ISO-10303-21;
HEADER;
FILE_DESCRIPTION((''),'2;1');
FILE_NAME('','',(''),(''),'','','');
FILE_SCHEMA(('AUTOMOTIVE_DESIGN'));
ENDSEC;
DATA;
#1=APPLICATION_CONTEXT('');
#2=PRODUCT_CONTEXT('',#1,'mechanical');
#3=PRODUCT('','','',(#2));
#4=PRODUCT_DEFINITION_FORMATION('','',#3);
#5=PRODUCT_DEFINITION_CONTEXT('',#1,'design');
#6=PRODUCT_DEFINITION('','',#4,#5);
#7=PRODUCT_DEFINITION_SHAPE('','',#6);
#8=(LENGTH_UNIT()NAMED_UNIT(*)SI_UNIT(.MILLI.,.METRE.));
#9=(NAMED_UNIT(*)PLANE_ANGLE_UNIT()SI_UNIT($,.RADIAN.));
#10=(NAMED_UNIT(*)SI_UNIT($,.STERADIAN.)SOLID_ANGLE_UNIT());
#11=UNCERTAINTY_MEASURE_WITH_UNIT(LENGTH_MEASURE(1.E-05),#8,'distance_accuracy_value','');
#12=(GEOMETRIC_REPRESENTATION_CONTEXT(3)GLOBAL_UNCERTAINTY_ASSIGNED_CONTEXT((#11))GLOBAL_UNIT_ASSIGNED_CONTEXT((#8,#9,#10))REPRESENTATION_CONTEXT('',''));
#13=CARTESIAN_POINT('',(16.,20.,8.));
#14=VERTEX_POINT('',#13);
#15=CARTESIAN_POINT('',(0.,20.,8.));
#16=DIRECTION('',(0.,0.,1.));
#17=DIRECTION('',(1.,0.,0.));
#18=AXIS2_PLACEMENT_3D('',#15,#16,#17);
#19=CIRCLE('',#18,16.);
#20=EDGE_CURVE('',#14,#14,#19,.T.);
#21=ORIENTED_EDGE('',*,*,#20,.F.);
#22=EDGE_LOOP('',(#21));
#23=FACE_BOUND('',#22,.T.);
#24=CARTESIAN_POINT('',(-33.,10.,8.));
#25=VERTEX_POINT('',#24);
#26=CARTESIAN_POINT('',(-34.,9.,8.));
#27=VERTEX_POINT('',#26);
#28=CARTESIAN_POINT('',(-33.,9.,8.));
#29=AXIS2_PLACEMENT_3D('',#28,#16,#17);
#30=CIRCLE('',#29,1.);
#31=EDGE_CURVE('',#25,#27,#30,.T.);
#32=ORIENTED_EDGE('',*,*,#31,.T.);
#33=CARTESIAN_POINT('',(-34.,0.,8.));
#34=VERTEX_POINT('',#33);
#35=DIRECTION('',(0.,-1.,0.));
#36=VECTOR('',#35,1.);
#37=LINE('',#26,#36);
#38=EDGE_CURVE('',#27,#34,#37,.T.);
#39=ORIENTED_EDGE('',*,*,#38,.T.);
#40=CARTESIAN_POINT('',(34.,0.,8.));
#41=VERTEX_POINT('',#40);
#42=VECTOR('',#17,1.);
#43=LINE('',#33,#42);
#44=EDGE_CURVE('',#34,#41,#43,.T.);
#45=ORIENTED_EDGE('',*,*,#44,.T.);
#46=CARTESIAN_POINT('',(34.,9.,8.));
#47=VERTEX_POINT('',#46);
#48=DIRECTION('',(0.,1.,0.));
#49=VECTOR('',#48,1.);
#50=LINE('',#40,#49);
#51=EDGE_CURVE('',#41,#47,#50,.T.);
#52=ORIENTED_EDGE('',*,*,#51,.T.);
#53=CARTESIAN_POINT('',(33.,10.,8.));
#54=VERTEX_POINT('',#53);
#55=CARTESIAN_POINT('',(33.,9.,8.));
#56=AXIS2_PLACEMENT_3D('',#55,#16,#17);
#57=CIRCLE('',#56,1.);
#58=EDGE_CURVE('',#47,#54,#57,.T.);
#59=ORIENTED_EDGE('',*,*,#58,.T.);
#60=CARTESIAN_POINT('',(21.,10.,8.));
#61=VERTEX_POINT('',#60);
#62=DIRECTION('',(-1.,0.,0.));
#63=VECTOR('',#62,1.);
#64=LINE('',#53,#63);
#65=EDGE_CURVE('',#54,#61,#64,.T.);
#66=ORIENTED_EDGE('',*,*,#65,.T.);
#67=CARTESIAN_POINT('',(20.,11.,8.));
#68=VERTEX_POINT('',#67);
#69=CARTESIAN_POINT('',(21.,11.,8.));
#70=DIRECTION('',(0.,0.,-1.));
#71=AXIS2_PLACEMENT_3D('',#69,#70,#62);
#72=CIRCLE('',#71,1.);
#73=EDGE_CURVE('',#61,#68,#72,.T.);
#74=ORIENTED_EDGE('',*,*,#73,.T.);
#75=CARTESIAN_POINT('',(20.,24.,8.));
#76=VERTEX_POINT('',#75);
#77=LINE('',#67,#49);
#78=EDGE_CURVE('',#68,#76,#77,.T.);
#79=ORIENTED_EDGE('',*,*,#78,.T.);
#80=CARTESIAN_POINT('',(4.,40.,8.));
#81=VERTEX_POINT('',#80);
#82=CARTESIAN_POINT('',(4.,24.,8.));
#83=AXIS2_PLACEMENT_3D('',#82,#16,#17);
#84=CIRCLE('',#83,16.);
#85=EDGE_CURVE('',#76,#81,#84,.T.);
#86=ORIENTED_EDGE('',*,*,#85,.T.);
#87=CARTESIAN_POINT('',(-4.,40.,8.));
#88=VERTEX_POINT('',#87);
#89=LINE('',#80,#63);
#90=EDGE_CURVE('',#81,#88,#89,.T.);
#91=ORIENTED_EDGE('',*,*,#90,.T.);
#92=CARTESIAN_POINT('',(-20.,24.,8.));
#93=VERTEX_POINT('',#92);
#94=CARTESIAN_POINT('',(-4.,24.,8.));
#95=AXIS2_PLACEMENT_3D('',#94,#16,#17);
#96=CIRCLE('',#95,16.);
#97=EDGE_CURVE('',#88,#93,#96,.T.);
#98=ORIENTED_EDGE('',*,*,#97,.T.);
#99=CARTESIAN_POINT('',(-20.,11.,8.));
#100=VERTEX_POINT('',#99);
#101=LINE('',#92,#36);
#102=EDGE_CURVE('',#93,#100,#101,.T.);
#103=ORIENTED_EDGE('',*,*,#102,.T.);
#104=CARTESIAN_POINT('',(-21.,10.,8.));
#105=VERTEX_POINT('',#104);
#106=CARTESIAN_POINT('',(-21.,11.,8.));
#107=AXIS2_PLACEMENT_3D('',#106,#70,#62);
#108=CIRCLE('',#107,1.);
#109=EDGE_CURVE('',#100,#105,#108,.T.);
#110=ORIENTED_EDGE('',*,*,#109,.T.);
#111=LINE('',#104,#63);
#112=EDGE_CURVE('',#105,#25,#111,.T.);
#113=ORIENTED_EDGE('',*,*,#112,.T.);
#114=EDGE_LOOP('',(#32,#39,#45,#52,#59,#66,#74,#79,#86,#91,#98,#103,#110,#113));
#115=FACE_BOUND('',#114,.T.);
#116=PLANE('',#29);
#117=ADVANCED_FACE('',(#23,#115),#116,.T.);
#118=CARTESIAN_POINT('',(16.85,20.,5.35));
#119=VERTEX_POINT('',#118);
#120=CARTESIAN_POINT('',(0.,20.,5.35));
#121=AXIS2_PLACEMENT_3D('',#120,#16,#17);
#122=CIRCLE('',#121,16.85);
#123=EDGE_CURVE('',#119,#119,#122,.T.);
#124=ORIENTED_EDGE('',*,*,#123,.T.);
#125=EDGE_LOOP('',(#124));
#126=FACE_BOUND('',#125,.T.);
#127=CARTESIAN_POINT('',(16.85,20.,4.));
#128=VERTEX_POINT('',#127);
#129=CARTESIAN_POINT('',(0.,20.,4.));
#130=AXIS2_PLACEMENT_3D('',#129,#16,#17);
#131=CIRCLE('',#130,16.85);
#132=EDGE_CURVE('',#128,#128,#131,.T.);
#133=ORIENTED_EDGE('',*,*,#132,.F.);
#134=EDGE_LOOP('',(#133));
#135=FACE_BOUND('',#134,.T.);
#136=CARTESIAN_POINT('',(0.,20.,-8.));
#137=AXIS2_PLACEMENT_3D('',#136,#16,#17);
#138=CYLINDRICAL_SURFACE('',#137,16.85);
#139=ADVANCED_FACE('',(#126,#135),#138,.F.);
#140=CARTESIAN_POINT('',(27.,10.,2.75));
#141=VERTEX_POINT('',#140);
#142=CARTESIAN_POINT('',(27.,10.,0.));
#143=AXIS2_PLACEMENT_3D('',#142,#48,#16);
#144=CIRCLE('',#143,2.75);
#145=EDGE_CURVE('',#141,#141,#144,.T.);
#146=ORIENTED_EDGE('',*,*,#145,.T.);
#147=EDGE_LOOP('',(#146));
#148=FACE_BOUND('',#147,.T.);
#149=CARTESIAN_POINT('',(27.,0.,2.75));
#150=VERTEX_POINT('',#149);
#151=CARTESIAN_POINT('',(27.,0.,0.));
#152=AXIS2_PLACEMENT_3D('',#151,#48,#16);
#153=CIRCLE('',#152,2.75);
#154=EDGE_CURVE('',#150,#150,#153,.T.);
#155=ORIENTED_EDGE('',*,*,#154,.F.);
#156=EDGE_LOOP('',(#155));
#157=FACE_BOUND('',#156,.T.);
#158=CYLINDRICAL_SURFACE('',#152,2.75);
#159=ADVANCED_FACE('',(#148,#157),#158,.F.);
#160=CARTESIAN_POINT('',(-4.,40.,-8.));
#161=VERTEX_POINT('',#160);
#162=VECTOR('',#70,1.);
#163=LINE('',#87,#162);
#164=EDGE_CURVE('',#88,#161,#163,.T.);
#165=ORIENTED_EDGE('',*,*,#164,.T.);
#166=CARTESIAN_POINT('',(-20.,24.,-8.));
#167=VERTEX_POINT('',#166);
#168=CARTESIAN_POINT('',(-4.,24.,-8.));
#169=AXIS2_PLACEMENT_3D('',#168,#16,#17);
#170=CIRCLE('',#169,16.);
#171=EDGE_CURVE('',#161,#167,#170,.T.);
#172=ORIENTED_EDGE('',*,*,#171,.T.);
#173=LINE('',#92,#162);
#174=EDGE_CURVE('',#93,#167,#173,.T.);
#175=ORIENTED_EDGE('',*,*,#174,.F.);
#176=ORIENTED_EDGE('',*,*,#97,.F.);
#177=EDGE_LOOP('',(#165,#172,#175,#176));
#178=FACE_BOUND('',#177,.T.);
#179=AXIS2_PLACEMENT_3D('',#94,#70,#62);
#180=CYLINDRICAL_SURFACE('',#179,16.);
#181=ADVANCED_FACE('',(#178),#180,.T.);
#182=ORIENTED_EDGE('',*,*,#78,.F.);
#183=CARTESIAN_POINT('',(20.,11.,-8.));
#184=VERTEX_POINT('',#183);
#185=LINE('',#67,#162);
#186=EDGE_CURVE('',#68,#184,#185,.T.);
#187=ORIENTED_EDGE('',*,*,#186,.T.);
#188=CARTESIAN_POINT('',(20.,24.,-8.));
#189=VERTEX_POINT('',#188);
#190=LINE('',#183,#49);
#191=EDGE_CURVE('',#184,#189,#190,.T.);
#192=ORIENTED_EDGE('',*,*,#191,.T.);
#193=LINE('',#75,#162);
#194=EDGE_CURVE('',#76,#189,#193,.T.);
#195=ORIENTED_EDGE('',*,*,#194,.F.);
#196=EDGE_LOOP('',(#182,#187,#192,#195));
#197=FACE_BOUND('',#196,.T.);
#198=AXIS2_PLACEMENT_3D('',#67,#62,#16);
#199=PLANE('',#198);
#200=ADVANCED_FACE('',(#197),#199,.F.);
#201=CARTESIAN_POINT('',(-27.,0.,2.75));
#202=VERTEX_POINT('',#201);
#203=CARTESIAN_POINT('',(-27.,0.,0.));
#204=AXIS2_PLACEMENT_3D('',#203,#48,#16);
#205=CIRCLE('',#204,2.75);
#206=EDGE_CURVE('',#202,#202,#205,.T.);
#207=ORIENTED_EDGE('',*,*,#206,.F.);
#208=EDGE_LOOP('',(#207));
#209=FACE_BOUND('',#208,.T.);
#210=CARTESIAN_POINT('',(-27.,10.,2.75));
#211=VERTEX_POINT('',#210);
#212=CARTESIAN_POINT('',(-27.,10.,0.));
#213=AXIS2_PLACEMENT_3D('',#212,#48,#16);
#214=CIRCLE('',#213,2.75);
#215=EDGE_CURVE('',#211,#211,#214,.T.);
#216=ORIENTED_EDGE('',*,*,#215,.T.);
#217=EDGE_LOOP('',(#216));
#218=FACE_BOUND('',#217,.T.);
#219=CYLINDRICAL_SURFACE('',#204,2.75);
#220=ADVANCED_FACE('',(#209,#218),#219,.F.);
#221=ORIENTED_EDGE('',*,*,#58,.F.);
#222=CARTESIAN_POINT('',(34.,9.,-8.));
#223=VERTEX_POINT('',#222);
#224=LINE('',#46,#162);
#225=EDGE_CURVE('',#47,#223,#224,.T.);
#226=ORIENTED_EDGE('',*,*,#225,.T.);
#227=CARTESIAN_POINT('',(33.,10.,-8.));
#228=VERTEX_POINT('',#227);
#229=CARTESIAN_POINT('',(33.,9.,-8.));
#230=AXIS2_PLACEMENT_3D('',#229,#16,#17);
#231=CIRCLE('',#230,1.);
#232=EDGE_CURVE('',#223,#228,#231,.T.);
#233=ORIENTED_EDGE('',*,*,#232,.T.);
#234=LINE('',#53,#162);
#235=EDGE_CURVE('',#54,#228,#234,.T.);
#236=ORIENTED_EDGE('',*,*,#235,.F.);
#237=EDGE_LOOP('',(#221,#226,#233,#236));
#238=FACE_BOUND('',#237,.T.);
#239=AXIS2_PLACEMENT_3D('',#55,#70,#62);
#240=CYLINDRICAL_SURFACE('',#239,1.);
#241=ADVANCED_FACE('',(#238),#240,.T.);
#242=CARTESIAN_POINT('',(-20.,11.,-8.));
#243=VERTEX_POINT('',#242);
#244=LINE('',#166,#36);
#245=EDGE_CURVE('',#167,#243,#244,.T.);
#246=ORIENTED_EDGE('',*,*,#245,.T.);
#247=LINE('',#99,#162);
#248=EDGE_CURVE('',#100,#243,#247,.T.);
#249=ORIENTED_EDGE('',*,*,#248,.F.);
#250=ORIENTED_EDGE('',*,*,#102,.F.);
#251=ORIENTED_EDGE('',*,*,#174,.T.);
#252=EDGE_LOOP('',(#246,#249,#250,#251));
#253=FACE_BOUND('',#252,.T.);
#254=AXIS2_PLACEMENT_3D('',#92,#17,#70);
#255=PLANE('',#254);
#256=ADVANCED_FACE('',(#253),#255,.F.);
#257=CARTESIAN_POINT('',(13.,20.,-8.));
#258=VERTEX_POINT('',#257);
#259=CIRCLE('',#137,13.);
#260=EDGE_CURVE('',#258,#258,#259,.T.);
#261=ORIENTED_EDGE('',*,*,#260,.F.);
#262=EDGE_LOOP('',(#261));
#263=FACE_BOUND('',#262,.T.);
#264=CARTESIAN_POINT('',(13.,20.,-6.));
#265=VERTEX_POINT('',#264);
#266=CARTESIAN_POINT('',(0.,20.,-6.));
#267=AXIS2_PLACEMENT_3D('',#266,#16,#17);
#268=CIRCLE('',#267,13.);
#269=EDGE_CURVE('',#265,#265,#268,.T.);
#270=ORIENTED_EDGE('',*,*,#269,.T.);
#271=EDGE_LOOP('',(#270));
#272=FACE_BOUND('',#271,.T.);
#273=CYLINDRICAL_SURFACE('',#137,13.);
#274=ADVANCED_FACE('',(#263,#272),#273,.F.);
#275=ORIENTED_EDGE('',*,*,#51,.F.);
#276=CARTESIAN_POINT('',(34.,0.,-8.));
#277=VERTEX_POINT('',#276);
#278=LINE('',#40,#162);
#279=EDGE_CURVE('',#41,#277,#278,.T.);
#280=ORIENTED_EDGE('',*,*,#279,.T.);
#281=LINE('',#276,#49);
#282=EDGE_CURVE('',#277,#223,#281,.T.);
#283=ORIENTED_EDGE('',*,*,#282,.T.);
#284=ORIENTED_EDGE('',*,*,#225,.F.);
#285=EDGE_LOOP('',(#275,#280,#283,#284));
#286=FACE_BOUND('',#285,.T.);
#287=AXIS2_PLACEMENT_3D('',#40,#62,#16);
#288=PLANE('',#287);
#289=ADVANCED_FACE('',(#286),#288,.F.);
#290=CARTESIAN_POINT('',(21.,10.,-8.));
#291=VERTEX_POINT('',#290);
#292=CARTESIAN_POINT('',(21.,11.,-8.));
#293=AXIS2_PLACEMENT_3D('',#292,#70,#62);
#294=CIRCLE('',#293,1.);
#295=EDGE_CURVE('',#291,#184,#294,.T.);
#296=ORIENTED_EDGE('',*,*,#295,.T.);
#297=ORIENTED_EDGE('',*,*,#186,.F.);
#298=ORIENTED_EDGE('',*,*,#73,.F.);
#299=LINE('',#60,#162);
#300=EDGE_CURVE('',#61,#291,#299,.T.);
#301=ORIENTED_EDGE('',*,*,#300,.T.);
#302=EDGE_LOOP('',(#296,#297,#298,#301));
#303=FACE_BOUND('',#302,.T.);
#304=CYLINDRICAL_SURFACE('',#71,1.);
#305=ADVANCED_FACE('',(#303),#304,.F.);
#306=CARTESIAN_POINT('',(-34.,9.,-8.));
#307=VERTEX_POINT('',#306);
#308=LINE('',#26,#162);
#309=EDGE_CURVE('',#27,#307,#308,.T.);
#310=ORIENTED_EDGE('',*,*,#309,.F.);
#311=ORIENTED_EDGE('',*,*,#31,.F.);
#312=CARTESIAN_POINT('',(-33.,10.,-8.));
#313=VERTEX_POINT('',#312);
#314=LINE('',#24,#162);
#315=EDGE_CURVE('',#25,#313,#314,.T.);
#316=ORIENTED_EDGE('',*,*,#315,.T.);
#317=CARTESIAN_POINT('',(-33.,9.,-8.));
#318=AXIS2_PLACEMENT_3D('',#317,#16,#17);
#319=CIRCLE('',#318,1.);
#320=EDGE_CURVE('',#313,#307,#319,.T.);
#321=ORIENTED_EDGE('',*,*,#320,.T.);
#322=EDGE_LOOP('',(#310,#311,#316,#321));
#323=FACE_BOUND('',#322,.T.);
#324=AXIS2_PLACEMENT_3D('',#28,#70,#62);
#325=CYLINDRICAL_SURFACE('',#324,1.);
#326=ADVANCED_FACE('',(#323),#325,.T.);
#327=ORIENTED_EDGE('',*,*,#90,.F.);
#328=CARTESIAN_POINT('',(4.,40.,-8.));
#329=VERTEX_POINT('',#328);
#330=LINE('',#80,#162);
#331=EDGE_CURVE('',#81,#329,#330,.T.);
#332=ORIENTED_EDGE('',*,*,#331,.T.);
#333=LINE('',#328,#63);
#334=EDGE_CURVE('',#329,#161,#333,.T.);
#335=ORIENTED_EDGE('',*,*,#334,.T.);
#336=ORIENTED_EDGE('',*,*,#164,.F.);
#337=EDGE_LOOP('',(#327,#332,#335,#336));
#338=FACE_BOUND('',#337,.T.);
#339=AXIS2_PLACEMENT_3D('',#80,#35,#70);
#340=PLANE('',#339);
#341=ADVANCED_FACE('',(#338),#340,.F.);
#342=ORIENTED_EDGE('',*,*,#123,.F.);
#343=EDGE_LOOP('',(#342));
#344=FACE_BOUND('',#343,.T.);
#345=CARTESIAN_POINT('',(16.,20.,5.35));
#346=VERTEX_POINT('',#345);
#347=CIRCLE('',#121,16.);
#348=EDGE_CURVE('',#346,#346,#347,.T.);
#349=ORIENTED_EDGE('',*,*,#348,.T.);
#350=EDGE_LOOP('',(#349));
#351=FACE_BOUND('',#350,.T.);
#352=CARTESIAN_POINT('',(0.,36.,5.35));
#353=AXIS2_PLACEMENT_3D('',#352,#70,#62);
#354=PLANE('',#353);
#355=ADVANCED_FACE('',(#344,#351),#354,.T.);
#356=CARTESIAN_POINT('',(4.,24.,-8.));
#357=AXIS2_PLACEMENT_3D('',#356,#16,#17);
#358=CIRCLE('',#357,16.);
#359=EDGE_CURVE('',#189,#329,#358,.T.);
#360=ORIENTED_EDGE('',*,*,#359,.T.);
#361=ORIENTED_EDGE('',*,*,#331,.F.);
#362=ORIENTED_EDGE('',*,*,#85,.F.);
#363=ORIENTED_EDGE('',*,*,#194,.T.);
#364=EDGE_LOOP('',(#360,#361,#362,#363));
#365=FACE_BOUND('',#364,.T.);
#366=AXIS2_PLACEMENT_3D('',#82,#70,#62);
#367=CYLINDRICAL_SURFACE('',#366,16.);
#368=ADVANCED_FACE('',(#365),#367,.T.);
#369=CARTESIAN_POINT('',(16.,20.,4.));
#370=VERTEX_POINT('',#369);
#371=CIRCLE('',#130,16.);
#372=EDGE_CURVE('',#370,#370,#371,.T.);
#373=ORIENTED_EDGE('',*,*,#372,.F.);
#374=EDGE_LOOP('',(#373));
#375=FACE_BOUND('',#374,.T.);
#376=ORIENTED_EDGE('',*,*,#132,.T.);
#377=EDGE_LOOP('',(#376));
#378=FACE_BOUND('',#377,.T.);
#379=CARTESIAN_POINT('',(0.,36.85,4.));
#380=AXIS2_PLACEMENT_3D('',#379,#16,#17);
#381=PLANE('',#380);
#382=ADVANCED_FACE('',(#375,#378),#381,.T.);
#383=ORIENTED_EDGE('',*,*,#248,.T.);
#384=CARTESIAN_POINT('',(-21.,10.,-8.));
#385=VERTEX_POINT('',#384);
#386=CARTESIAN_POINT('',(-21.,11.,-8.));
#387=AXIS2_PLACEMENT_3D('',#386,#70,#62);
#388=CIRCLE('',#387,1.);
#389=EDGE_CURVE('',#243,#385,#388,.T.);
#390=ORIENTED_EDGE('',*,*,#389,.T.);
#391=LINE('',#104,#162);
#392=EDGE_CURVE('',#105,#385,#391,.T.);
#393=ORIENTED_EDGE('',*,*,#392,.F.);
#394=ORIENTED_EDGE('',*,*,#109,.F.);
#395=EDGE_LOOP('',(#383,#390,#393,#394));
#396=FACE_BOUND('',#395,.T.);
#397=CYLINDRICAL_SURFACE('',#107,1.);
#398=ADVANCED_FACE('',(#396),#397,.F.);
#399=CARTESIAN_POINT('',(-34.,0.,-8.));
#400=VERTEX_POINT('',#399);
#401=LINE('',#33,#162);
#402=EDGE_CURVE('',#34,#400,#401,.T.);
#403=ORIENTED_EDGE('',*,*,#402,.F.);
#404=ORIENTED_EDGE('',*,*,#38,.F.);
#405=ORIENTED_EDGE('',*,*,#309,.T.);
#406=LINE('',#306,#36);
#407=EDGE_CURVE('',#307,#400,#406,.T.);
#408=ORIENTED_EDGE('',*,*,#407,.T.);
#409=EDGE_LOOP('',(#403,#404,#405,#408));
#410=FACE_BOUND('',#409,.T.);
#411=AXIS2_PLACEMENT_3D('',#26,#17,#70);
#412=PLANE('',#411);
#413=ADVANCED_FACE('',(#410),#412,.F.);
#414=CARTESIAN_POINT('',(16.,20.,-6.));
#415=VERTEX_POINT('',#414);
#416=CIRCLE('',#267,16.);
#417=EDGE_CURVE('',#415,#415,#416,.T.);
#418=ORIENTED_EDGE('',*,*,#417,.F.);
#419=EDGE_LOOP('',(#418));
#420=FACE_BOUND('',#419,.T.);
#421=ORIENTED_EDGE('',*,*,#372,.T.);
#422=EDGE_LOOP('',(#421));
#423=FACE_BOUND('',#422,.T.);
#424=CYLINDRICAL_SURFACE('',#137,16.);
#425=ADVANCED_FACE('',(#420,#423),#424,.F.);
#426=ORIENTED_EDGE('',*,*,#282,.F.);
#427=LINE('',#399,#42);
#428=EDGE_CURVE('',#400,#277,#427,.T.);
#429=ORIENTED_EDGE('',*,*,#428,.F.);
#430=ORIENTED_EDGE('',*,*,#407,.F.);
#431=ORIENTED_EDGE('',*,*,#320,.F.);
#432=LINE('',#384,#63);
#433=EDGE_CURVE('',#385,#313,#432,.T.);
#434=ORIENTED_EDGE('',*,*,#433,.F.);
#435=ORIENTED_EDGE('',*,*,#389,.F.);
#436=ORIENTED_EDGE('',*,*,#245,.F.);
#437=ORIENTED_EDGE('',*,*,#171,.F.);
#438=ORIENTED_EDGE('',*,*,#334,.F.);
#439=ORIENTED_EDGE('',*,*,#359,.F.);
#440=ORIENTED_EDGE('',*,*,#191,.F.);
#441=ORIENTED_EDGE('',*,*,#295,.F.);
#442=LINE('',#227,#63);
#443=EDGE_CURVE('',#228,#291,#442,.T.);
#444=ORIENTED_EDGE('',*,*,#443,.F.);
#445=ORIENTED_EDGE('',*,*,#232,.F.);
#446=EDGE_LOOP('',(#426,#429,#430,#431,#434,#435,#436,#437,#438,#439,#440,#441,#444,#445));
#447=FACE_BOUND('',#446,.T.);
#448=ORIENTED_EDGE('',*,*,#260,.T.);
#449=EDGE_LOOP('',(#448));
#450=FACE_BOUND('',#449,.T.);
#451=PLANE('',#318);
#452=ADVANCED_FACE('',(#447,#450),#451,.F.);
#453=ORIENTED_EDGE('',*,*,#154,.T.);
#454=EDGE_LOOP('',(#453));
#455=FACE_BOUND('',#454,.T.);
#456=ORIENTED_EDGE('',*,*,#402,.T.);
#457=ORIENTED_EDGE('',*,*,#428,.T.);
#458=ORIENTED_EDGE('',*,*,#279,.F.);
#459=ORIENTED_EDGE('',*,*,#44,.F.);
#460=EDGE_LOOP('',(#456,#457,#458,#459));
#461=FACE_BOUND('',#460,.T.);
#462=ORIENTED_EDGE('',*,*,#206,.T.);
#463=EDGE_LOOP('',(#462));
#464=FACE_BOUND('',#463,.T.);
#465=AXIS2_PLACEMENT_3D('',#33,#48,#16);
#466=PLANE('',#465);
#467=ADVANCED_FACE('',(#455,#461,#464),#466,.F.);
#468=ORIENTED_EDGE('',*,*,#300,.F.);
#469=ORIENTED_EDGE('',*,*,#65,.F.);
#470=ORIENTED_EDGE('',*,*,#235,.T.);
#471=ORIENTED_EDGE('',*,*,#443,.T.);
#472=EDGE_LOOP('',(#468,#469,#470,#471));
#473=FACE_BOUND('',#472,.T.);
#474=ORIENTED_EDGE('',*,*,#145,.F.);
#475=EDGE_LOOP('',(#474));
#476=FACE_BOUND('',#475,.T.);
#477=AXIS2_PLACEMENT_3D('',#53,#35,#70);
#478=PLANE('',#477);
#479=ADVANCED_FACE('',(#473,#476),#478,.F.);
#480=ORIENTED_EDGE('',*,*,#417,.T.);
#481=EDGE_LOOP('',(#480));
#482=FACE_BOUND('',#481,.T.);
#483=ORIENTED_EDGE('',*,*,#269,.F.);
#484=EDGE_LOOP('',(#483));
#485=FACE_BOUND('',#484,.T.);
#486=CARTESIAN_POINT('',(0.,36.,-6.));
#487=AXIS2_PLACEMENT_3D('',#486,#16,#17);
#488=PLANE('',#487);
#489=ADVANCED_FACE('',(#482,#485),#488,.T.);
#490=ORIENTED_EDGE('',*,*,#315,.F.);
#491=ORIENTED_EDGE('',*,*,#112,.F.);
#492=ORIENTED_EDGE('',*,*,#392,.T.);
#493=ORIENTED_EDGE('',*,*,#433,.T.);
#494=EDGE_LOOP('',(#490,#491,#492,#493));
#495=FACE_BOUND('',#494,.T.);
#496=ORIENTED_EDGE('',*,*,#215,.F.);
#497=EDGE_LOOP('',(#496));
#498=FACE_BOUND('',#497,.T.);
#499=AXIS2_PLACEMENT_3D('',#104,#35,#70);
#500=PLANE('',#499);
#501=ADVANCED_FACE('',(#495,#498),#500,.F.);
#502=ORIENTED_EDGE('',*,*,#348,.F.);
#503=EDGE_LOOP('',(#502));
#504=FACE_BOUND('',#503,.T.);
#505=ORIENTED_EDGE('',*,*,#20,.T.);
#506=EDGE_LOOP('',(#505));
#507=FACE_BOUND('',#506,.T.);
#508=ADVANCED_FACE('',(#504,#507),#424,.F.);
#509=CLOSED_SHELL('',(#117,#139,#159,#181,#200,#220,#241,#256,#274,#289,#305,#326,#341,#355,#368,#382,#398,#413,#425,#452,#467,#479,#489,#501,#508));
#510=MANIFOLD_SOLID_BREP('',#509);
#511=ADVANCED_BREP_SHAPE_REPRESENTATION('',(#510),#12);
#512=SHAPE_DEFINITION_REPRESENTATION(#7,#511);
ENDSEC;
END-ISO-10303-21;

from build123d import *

# Parameters (mm, degrees)
EXTRUDE_1_DEPTH      = 8
EXTRUDE_1_DEPTH_BACK = 8
SKETCH_3_W           = 2.75
SKETCH_3_H           = 10
SKETCH_4_W           = 2.75
SKETCH_4_H           = 10


with BuildPart() as part:
    # ｽｹｯﾁ1 → ﾎﾞｽ - 押し出し1 (new, two sides: drawn at the far end of the back side and taken through both)
    with BuildSketch(Plane.XY.offset(-EXTRUDE_1_DEPTH_BACK)):
        with BuildLine():
            Line((-34, 9), (-34, 0))
            Line((-34, 0), (34, 0))
            Line((34, 0), (34, 9))
            ThreePointArc((34, 9), (33.707106781, 9.707106781), (33, 10))
            Line((33, 10), (21, 10))
            ThreePointArc((21, 10), (20.292893219, 10.292893219), (20, 11))
            Line((20, 11), (20, 24))
            ThreePointArc((20, 24), (15.313708499, 35.313708499), (4, 40))
            Line((4, 40), (-4, 40))
            ThreePointArc((-4, 40), (-15.313708499, 35.313708499), (-20, 24))
            Line((-20, 24), (-20, 11))
            ThreePointArc((-20, 11), (-20.292893219, 10.292893219), (-21, 10))
            Line((-21, 10), (-33, 10))
            ThreePointArc((-33, 10), (-33.707106781, 9.707106781), (-34, 9))
        make_face()
    extrude(amount=EXTRUDE_1_DEPTH + EXTRUDE_1_DEPTH_BACK)

    # ｽｹｯﾁ2 → ｶｯﾄ - 回転1 (revolve, cut)
    with BuildSketch(Plane(origin=(0, 0, 0), x_dir=(0, 0, -1), z_dir=(1, 0, 0))):
        Polygon((-8, 20), (-8, 36), (-5.35, 36), (-5.35, 36.85), (-4, 36.85), (-4, 36), (6, 36), (6, 33), (8, 33), (8, 20), align=None)
    revolve(axis=Axis((0, 20, -8), (0, 0, 1)), mode=Mode.SUBTRACT)

    # ｽｹｯﾁ3 → ｶｯﾄ - 回転2 (revolve, cut)
    with BuildSketch(Plane.XY):
        with Locations((28.375, 5)):
            Rectangle(SKETCH_3_W, SKETCH_3_H)
    revolve(axis=Axis((27, 0, 0), (0, 1, 0)), mode=Mode.SUBTRACT)

    # ｽｹｯﾁ4 → ｶｯﾄ - 回転3 (revolve, cut)
    with BuildSketch(Plane.XY):
        with Locations((-25.625, 5)):
            Rectangle(SKETCH_4_W, SKETCH_4_H)
    revolve(axis=Axis((-27, 0, 0), (0, 1, 0)), mode=Mode.SUBTRACT)


solid = part.part
